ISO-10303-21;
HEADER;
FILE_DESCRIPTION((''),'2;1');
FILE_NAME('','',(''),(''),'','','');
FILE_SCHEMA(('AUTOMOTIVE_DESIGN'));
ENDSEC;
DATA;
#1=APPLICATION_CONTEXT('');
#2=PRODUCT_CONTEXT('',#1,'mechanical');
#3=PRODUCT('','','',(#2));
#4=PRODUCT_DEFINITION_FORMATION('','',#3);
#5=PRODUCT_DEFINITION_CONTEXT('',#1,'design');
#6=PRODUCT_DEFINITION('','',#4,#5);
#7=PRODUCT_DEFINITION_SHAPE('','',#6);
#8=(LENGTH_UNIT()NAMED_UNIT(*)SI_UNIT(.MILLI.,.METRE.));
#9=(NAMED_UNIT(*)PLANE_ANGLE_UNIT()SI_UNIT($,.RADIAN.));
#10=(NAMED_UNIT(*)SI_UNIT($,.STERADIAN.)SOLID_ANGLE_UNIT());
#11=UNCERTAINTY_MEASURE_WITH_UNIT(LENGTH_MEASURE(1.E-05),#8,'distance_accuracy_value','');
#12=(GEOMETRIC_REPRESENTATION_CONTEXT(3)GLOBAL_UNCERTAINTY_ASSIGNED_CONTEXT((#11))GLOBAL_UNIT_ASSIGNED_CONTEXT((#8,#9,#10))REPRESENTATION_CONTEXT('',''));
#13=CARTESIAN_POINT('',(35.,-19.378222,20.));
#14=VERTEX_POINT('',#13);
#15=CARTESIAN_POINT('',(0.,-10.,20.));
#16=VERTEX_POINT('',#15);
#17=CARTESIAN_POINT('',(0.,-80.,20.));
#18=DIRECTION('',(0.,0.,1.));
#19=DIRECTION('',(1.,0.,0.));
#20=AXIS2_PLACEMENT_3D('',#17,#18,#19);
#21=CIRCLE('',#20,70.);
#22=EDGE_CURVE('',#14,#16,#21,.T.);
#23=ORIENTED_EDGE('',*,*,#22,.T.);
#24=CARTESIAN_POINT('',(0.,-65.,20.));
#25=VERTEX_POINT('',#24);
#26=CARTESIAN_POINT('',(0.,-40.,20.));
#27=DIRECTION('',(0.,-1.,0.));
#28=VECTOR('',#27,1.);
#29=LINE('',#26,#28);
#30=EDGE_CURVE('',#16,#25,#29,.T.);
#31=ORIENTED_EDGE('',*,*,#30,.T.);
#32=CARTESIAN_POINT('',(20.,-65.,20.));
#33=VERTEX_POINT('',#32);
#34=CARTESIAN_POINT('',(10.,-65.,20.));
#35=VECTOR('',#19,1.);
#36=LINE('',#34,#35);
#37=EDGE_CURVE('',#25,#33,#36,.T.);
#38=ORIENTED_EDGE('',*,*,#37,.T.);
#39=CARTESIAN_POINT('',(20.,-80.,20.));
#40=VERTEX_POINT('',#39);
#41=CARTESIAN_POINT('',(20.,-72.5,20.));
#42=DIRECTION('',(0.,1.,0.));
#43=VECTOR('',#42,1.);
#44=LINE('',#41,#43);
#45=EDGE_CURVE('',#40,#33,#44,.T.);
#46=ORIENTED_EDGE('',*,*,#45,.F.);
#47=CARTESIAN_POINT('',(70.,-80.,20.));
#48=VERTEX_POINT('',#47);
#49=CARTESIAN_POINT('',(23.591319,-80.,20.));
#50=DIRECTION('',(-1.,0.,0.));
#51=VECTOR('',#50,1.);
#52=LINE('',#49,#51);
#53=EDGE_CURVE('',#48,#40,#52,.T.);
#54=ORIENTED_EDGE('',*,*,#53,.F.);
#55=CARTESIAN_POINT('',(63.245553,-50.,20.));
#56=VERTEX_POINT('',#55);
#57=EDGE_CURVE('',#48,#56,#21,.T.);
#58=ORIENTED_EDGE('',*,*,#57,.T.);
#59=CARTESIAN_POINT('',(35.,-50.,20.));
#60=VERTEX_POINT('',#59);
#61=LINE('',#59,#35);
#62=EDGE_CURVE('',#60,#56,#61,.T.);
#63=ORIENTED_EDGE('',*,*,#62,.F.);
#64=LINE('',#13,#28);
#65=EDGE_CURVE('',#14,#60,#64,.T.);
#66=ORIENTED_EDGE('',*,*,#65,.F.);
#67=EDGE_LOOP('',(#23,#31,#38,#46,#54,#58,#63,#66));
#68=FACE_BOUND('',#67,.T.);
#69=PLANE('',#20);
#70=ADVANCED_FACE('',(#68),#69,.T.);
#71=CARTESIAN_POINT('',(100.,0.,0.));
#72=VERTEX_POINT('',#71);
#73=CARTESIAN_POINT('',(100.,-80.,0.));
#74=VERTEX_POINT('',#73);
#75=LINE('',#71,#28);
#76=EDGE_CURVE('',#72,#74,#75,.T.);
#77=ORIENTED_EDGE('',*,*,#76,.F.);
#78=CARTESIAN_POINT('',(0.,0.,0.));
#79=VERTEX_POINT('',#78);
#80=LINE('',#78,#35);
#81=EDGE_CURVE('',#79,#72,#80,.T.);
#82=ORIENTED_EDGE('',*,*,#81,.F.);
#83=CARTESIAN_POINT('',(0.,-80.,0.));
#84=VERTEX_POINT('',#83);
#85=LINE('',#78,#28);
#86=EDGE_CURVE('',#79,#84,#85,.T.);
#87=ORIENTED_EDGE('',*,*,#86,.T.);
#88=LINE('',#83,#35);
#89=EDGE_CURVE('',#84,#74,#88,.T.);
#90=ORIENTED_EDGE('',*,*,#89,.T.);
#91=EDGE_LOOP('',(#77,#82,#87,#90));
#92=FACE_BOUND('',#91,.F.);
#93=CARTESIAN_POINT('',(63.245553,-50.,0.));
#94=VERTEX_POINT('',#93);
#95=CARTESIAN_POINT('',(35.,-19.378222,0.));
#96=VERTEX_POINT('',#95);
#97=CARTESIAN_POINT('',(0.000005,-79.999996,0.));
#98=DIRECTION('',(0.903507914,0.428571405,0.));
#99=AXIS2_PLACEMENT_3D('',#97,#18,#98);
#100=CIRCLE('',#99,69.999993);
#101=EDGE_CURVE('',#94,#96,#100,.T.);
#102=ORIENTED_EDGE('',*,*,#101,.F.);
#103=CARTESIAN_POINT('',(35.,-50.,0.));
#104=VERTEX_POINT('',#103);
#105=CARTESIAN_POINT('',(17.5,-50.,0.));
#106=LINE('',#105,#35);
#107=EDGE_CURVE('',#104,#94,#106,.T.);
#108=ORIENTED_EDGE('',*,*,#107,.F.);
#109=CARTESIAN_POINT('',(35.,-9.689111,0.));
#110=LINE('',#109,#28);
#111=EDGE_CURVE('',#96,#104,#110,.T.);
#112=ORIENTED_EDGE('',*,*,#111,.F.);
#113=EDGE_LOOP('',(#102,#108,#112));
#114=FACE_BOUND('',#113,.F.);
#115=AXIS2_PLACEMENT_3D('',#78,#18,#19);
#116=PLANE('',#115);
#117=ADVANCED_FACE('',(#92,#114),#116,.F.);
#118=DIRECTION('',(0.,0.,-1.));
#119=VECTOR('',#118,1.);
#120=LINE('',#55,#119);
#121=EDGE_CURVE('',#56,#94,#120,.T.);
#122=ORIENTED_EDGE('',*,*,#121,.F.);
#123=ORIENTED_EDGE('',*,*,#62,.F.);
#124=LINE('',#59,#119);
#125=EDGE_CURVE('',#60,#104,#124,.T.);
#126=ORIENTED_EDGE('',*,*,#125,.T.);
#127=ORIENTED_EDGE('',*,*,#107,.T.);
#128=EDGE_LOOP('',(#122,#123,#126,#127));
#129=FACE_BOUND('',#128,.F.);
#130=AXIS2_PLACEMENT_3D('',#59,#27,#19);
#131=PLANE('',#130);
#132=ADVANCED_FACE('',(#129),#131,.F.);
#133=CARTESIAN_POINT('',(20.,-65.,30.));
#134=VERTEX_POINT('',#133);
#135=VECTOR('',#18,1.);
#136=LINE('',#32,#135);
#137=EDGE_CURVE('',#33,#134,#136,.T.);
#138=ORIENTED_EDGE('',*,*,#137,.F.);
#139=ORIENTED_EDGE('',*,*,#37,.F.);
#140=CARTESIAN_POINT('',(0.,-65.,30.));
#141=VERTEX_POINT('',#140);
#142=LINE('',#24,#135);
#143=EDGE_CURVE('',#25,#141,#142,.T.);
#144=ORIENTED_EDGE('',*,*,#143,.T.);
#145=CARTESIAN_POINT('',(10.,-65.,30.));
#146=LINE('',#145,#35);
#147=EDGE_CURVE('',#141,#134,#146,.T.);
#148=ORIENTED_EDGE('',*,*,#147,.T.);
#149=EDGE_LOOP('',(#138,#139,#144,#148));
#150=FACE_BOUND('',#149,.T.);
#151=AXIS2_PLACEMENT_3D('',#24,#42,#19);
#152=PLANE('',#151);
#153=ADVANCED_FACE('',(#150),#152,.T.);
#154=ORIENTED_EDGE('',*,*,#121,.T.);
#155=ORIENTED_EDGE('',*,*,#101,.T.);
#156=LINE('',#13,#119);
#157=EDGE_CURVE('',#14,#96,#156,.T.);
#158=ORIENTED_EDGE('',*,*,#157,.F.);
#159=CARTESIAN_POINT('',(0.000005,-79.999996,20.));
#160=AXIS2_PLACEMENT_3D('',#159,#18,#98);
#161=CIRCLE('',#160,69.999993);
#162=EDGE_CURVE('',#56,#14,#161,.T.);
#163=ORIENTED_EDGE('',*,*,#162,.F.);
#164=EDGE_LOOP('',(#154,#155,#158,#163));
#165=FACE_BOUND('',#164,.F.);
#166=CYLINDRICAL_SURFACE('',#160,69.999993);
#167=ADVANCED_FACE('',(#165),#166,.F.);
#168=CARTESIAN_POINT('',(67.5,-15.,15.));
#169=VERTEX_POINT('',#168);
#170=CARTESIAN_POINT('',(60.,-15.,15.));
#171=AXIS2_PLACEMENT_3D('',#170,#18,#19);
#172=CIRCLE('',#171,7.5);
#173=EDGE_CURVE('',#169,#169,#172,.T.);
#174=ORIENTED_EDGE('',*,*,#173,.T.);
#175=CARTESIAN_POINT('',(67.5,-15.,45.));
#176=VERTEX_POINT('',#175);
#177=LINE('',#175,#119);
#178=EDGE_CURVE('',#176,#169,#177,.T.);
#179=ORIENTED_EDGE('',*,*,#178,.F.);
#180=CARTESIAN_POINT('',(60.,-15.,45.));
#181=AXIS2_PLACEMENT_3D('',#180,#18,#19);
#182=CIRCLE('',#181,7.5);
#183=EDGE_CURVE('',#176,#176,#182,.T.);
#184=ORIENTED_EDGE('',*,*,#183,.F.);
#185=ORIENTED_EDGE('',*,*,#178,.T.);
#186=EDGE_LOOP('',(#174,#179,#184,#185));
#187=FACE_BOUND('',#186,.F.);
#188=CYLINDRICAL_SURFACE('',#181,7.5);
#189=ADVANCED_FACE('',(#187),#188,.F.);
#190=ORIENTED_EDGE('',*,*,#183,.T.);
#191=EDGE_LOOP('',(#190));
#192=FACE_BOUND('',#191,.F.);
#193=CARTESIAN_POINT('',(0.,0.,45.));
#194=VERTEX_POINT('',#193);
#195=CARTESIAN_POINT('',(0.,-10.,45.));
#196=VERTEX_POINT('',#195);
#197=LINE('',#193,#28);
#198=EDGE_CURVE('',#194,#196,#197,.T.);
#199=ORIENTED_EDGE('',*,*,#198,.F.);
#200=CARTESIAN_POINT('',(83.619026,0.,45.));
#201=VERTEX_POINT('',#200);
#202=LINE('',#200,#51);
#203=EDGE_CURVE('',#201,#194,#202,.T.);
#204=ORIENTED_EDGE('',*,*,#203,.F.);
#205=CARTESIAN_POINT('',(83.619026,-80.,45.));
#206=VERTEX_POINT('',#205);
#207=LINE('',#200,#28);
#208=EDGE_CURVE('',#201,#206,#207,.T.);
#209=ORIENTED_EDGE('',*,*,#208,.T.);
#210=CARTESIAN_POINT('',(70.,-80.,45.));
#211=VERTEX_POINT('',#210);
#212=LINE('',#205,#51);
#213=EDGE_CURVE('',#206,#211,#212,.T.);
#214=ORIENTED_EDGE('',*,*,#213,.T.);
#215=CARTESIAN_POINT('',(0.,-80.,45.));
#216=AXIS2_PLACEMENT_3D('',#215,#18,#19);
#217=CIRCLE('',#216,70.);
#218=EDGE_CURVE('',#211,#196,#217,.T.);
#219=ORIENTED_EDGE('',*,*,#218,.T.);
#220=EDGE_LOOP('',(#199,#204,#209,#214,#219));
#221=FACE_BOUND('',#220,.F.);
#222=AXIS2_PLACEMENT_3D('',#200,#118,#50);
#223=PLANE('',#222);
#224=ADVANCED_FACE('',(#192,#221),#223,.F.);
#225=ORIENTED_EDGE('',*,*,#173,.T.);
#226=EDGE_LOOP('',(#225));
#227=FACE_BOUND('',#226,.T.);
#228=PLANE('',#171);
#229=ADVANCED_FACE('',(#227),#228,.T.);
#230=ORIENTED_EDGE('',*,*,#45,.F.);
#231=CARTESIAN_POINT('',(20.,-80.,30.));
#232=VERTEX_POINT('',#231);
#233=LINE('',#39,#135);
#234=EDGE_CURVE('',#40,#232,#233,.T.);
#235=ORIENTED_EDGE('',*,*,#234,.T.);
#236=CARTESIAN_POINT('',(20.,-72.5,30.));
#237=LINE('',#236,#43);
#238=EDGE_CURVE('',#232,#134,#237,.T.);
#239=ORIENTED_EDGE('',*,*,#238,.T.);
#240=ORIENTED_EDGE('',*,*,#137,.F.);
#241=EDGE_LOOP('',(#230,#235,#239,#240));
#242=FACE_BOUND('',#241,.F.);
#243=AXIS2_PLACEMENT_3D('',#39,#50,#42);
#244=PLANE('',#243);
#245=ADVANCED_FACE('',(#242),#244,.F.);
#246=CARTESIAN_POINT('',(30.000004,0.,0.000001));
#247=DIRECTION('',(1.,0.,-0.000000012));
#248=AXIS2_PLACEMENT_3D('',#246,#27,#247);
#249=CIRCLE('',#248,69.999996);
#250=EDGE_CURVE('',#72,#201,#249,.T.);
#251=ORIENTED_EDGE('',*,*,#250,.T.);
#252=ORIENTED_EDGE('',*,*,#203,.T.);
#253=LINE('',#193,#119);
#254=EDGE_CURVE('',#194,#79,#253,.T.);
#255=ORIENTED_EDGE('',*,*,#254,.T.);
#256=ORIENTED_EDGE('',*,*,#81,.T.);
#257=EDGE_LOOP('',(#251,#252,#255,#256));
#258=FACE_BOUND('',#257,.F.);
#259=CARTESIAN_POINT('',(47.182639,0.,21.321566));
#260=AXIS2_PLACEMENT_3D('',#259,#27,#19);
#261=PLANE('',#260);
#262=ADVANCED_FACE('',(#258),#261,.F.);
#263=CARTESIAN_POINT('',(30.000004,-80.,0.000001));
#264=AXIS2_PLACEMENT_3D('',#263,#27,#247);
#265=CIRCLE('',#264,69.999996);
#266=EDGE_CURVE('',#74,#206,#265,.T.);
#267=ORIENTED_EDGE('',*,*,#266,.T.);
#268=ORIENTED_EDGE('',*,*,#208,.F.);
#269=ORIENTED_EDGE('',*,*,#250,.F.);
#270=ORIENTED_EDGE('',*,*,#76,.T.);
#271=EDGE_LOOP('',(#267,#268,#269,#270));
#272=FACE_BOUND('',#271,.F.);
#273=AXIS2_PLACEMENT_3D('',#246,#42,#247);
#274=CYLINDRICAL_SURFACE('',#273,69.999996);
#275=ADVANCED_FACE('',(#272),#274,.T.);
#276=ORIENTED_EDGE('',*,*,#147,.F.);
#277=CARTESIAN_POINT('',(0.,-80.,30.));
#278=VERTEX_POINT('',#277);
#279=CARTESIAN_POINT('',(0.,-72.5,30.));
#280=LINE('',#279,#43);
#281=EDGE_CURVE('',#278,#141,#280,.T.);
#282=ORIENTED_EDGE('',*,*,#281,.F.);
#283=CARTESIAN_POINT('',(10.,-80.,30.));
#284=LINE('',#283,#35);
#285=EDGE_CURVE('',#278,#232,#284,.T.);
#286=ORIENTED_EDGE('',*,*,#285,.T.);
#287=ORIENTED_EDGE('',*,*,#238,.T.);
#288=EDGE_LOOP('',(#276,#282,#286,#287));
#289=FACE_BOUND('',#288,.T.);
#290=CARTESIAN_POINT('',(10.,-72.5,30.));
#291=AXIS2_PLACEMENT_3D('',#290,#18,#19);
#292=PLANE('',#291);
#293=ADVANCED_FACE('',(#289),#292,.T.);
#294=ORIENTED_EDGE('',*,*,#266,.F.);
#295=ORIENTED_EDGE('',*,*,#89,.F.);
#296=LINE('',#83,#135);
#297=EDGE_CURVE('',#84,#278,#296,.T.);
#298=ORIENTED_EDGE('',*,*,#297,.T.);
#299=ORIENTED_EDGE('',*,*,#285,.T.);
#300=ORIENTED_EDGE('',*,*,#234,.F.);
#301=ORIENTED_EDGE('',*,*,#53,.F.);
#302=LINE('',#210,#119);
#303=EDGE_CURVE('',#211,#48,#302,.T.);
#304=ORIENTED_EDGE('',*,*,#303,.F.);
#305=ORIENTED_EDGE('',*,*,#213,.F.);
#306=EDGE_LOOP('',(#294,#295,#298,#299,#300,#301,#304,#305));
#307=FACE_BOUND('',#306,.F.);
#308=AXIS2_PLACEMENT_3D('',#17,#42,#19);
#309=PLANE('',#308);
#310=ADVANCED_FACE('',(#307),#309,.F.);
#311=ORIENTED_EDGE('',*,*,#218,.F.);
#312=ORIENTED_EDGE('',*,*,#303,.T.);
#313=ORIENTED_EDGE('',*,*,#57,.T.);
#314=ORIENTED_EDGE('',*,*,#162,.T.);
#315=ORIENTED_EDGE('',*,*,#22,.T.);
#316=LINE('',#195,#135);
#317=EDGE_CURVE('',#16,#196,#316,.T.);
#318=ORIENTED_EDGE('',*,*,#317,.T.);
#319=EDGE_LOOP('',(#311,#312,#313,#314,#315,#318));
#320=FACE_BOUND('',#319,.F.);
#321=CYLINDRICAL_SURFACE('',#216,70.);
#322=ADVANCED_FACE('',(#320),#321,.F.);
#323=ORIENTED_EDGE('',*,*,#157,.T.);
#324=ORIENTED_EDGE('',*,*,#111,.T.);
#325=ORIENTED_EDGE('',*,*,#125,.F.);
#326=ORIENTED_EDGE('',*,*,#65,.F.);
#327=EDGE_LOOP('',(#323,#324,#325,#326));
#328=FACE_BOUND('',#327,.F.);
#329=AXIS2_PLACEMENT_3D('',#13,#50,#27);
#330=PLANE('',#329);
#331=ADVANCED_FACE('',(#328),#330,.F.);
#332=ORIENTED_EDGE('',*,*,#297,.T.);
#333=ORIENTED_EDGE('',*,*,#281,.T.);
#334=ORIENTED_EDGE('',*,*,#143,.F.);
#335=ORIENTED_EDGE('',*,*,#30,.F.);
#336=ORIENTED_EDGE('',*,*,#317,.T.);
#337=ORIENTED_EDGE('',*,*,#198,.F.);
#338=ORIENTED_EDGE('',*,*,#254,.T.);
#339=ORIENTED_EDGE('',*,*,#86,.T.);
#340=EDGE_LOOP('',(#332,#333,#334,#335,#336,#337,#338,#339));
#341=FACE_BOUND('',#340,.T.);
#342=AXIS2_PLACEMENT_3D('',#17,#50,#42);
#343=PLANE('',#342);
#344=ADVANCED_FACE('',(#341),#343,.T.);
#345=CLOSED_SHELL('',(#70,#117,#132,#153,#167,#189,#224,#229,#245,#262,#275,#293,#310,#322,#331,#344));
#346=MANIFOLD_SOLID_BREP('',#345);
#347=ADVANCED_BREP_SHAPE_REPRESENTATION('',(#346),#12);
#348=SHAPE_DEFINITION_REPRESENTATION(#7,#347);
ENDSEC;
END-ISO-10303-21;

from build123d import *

# Parameters (mm, degrees)
F1_DEPTH  = 80
F3_R      = 70
F4_DEPTH  = 25
F5_W      = 20
F5_H      = 15
F6_DEPTH  = 10
F8_DEPTH  = 20.001
F10_R     = 7.5
F11_DEPTH = 30


with BuildPart() as f1:
    # F0 (on Front) → F1 (new body)
    with BuildSketch(Plane.XZ):
        with BuildLine():
            Line((0, 0), (100, 0))
            ThreePointArc((100, 0), (95.777397, 23.944395), (83.619026, 45))
            Line((83.619026, 45), (0, 45))
            Line((0, 45), (0, 0))
        make_face()
    extrude(amount=F1_DEPTH)

    # F3 (on face) → F4 (cut, through all)
    with BuildSketch(Plane.XY.offset(45)):
        with Locations((0, -80)):
            Circle(F3_R)
    extrude(amount=-F4_DEPTH, mode=Mode.SUBTRACT)

    # F5 (on face) → F6 (join)
    with BuildSketch(Plane.XY.offset(20)):
        with Locations((10, -72.5)):
            Rectangle(F5_W, F5_H)
    extrude(amount=F6_DEPTH)

    # F7 (on face) → F8 (cut, through all)
    with BuildSketch(Plane.XY.offset(20)):
        with BuildLine():
            ThreePointArc((63.245553, -50), (51.453576, -32.539179), (35, -19.378222))
            Line((35, -19.378222), (35, -50))
            Line((35, -50), (63.245553, -50))
        make_face()
    extrude(amount=-F8_DEPTH, mode=Mode.SUBTRACT)

    # F10 (on face) → F11 (cut, through all)
    with BuildSketch(Plane.XY.offset(45)):
        with Locations((60, -15)):
            Circle(F10_R)
    extrude(amount=-F11_DEPTH, mode=Mode.SUBTRACT)


solid = f1.part
